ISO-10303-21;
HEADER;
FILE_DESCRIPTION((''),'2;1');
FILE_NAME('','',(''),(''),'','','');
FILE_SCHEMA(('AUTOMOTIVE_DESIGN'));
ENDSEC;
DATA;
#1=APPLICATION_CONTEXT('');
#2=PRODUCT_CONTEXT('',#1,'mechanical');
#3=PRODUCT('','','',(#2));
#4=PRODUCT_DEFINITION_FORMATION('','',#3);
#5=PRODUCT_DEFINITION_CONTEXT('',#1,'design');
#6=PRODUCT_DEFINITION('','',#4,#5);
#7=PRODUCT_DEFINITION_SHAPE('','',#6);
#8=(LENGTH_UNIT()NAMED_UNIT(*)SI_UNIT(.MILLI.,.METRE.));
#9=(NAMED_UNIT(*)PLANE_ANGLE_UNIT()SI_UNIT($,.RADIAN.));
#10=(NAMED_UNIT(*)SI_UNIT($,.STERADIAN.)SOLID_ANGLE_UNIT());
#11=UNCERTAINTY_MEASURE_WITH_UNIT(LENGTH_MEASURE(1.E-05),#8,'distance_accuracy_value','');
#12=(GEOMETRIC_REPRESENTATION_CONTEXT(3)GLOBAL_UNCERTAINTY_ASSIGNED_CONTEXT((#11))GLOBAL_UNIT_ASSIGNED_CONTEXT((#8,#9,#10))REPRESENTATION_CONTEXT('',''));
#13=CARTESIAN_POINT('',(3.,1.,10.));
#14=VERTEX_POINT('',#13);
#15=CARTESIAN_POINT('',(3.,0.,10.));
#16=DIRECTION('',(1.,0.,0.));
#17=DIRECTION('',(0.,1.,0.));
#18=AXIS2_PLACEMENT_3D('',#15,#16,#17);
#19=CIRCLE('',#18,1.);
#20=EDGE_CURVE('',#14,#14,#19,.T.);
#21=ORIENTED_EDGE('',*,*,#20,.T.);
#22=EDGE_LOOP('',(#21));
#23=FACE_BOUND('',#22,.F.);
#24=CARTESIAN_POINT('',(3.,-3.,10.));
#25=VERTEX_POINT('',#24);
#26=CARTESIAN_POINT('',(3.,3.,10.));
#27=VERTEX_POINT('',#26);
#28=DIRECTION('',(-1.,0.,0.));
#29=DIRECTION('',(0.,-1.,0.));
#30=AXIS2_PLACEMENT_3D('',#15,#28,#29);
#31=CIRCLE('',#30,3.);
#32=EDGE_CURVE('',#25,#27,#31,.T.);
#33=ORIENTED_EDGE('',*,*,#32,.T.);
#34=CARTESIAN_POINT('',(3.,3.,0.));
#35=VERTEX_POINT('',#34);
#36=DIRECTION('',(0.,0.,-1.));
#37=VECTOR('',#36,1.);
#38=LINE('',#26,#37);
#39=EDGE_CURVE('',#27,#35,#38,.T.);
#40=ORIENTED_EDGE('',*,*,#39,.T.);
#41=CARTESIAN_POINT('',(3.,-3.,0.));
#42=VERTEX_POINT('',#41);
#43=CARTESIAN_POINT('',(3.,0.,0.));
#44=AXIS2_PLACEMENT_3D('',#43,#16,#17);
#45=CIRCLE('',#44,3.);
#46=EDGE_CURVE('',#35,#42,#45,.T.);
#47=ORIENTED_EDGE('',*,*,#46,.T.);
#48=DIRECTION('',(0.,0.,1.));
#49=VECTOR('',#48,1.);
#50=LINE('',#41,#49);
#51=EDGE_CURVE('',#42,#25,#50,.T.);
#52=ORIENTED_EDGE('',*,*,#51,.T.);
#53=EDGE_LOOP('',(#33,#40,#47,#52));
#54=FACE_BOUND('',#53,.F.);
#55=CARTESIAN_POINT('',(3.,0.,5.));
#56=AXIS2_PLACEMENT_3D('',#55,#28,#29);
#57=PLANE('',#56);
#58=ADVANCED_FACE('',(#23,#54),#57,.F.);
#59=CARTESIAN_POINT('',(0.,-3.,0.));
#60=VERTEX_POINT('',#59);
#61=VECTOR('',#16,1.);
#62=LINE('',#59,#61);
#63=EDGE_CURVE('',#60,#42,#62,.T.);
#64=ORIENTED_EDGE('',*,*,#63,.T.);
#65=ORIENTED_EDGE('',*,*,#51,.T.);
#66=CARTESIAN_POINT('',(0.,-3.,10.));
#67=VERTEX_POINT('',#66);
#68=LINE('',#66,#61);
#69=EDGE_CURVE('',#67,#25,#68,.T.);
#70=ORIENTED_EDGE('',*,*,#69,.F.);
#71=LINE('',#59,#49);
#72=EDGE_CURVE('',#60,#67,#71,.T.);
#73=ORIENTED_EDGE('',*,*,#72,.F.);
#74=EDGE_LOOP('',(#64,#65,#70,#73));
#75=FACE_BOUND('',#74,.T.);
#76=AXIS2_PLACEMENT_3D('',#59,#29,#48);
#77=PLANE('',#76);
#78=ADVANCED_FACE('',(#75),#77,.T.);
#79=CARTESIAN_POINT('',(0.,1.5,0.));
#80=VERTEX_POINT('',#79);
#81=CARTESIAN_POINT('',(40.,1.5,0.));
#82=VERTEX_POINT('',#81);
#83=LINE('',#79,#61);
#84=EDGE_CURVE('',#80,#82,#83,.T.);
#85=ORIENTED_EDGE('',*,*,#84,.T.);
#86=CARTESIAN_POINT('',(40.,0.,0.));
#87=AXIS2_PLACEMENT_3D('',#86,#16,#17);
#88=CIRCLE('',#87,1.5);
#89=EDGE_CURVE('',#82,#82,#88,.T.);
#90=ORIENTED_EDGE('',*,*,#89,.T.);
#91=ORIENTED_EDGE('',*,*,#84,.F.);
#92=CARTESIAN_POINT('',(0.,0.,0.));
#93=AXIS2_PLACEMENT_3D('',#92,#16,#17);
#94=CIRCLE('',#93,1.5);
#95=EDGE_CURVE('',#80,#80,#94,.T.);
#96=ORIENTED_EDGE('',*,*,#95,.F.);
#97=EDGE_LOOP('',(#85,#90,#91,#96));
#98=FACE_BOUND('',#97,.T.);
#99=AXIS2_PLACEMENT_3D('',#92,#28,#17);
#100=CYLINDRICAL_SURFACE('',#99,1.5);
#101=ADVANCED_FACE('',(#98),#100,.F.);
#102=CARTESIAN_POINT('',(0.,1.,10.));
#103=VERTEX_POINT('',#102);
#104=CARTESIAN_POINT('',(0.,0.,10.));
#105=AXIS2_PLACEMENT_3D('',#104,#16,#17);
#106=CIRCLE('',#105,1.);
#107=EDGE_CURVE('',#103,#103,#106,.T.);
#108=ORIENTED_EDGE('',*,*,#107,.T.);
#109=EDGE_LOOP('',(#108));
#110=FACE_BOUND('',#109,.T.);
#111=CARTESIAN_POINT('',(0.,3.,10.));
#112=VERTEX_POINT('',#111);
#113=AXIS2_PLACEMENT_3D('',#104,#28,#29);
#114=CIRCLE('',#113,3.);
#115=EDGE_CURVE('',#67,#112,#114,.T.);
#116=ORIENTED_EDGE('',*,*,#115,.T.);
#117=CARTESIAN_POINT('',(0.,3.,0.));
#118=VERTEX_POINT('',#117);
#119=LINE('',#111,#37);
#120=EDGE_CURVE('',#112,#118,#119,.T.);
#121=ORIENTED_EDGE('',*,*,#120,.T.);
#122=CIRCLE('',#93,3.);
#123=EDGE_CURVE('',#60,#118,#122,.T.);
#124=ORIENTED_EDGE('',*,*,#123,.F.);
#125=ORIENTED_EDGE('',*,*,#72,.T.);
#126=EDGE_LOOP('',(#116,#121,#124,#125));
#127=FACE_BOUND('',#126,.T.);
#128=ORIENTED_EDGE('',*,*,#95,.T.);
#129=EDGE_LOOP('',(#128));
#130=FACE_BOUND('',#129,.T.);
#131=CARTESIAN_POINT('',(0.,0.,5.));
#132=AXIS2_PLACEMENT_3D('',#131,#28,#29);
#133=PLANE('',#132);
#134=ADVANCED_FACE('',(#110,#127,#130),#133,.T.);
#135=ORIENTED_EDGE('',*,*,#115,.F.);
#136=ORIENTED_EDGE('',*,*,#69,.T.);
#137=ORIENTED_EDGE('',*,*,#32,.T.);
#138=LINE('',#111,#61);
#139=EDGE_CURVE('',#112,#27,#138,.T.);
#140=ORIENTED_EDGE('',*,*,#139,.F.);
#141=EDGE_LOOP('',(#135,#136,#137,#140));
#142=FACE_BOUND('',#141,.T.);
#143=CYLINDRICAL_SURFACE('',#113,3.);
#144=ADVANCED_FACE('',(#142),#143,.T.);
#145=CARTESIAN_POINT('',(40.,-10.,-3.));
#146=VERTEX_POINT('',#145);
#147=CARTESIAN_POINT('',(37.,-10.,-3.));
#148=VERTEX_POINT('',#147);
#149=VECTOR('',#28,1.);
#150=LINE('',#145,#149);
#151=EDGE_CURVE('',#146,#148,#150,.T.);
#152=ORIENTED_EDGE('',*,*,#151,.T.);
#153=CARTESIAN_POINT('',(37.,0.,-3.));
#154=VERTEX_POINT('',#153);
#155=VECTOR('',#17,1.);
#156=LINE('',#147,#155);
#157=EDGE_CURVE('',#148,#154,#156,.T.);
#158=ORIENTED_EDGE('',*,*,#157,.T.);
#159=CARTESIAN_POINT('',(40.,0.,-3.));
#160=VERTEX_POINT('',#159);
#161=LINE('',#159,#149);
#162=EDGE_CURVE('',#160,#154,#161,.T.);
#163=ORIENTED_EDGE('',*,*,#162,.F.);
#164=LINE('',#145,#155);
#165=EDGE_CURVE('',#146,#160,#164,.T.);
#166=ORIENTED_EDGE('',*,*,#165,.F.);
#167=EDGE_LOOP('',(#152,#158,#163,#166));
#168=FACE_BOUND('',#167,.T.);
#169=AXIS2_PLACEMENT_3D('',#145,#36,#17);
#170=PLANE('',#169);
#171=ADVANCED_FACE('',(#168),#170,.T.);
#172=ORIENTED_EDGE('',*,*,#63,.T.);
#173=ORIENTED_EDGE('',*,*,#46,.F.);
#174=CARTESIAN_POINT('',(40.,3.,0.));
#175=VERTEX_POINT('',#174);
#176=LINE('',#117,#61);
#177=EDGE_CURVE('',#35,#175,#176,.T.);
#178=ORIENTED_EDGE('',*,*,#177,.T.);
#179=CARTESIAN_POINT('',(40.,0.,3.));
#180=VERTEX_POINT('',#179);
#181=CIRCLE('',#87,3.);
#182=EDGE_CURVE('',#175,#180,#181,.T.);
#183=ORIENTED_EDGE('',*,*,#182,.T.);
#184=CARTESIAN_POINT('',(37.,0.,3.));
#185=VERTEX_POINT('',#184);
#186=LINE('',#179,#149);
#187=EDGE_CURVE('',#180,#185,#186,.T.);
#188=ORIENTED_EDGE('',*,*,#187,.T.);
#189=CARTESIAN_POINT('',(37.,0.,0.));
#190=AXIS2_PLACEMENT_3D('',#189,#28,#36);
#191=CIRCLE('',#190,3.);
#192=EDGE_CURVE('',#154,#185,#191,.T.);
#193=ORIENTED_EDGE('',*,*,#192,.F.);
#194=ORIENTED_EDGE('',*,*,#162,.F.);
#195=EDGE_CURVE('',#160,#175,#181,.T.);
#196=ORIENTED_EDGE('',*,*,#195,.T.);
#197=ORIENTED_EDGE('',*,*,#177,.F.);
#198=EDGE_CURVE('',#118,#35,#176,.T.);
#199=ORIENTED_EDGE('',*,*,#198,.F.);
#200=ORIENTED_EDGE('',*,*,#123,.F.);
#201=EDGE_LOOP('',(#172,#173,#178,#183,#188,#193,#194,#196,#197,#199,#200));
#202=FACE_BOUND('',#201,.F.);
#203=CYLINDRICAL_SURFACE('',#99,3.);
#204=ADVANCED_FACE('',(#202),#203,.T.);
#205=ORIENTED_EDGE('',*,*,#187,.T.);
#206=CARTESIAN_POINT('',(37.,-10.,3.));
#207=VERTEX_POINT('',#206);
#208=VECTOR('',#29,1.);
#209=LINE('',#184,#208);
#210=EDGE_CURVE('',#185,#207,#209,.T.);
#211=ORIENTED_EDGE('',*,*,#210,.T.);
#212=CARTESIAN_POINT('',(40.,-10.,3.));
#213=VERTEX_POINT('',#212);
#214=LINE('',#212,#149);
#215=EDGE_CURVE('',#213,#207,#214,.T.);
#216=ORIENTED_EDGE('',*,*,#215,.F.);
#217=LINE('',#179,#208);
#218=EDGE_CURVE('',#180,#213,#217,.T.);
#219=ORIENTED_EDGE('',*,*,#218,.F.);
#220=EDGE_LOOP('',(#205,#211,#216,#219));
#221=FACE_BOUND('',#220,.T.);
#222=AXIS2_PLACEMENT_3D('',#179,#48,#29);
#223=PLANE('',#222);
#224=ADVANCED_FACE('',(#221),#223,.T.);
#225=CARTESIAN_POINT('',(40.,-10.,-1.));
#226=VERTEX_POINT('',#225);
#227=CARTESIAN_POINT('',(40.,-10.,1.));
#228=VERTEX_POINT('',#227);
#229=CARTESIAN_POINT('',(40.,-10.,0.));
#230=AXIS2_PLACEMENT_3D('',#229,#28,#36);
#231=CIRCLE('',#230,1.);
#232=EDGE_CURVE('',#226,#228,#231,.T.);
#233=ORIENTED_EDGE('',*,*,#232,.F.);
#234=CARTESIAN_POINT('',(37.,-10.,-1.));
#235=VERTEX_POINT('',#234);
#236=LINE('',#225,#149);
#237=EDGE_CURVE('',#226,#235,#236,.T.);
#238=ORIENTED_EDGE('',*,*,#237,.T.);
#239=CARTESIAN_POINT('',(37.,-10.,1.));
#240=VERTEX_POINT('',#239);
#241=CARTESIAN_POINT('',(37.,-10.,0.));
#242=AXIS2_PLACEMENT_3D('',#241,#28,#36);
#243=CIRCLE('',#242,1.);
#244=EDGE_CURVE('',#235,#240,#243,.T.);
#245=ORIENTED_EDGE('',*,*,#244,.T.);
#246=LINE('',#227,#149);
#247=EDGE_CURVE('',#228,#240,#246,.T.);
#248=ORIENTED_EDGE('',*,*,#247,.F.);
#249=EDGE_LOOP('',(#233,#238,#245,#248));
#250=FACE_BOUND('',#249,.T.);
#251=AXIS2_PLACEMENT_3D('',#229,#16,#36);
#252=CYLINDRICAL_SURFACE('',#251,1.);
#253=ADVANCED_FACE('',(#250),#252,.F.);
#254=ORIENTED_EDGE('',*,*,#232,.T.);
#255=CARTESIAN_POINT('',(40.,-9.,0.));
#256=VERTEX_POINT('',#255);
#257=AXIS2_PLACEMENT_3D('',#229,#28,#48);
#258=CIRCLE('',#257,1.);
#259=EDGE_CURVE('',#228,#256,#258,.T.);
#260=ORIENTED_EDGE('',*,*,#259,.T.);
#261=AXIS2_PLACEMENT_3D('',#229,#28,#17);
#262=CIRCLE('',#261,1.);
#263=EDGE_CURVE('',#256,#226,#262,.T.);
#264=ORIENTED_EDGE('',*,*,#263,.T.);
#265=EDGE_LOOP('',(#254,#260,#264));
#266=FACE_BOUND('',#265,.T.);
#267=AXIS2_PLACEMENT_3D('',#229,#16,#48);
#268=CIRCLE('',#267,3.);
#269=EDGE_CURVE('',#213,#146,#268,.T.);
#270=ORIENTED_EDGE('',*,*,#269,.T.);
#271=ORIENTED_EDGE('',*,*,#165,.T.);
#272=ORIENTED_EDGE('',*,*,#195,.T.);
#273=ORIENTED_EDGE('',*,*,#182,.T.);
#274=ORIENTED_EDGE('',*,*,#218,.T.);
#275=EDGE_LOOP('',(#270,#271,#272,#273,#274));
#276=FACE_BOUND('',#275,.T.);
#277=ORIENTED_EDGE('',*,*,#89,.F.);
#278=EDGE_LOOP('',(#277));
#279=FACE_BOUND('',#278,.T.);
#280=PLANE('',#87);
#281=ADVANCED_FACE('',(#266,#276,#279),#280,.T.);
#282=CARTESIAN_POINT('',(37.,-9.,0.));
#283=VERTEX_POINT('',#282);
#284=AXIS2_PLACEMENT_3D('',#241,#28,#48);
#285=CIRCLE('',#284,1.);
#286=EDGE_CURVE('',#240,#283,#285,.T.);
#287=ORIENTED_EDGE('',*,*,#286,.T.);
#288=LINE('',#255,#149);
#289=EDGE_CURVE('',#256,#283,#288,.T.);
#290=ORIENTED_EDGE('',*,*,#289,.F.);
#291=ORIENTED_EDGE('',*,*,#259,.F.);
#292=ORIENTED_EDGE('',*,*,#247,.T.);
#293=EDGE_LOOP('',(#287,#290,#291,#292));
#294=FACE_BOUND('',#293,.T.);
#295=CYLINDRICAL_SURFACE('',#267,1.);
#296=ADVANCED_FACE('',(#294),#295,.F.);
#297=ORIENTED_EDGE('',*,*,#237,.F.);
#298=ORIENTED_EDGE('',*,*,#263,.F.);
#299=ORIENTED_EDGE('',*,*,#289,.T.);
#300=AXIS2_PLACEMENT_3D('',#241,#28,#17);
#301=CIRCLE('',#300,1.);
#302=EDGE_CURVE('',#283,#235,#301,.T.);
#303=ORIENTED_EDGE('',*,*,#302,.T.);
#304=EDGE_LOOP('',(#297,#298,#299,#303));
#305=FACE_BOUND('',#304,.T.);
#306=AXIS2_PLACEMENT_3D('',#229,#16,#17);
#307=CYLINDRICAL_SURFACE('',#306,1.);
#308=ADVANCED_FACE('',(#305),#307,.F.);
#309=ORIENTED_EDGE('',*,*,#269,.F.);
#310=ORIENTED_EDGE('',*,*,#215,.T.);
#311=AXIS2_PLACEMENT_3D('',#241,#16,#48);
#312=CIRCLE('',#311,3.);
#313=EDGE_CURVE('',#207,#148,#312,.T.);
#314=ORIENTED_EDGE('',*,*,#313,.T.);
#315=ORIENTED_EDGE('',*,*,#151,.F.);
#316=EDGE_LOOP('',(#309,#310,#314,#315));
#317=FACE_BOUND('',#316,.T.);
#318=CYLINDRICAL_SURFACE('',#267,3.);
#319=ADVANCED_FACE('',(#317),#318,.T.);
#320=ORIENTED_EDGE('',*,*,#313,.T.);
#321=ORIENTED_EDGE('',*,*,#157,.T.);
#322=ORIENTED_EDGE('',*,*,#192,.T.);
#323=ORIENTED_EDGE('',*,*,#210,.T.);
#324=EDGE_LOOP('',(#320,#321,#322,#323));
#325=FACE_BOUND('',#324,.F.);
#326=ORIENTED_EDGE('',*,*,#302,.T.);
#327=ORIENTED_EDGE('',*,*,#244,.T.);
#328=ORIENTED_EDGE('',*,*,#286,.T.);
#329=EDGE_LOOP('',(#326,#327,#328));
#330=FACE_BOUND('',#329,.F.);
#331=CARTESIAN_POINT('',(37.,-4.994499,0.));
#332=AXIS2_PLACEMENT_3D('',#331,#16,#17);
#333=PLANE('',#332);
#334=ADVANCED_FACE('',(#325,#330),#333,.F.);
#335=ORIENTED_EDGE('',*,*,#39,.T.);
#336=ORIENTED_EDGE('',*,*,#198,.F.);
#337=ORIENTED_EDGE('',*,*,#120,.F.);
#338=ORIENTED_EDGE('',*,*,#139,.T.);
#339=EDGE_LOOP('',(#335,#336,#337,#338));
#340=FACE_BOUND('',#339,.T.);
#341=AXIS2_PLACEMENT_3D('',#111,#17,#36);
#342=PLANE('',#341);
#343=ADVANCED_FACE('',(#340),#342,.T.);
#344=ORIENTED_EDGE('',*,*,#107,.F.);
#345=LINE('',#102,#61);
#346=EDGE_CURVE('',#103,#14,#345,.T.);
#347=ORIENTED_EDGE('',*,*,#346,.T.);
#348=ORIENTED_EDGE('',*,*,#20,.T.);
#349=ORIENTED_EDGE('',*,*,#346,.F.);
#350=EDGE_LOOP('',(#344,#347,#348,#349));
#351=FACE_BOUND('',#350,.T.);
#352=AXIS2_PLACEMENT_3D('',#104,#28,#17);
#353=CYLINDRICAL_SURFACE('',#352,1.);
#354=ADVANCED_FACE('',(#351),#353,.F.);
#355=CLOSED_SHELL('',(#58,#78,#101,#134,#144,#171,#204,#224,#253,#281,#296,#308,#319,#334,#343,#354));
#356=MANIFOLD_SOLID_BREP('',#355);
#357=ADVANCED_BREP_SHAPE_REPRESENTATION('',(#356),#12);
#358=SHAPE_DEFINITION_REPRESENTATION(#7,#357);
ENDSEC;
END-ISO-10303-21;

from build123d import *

# Parameters (mm, degrees)
F0_R     = 3
F0_R_2   = 1.5
F1_DEPTH = 40
F3_DEPTH = 3
F5_DEPTH = 3


with BuildPart() as f1:
    # F0 (on Right) → F1 (new body)
    with BuildSketch(Plane.YZ):
        Circle(F0_R)
        Circle(F0_R_2, mode=Mode.SUBTRACT)
    extrude(amount=F1_DEPTH)

    # F2 (on face) → F3 (join)
    with BuildSketch(Plane.YZ.offset(40)):
        with BuildLine():
            Line((-10, -3), (0, -3))
            ThreePointArc((0, -3), (-3, 0), (0, 3))
            Line((0, 3), (-10, 3))
            ThreePointArc((-10, 3), (-7.8786796564, 2.1213203436), (-7, 0))
            ThreePointArc((-7, 0), (-7.8786796564, -2.1213203436), (-10, -3))
        make_face()
        with BuildLine():
            Line((-10, -1), (-10, -3))
            ThreePointArc((-10, -3), (-7.8786796564, -2.1213203436), (-7, 0))
            ThreePointArc((-7, 0), (-7.8786796564, 2.1213203436), (-10, 3))
            Line((-10, 3), (-10, 1))
            ThreePointArc((-10, 1), (-9.2928932188, 0.7071067812), (-9, 0))
            ThreePointArc((-9, 0), (-9.2928932188, -0.7071067812), (-10, -1))
        make_face()
        with BuildLine():
            ThreePointArc((-10, 3), (-13, 0), (-10, -3))
            Line((-10, -3), (-10, -1))
            ThreePointArc((-10, -1), (-11, 0), (-10, 1))
            Line((-10, 1), (-10, 3))
        make_face()
    extrude(amount=-F3_DEPTH)

    # F4 (on face) → F5 (join)
    with BuildSketch(Plane(origin=(0, 0, 0), x_dir=(0, -1, 0), z_dir=(-1, 0, 0))):
        with BuildLine():
            ThreePointArc((-3, 0), (0, 3), (3, 0))
            Line((3, 0), (3, 10))
            ThreePointArc((3, 10), (0, 7), (-3, 10))
            Line((-3, 10), (-3, 0))
        make_face()
        with BuildLine():
            ThreePointArc((-3, 10), (0, 7), (3, 10))
            Line((3, 10), (1, 10))
            ThreePointArc((1, 10), (0, 9), (-1, 10))
            Line((-1, 10), (-3, 10))
        make_face()
        with BuildLine():
            Line((1, 10), (3, 10))
            ThreePointArc((3, 10), (0, 13), (-3, 10))
            Line((-3, 10), (-1, 10))
            ThreePointArc((-1, 10), (0, 11), (1, 10))
        make_face()
    extrude(amount=-F5_DEPTH)


solid = f1.part
